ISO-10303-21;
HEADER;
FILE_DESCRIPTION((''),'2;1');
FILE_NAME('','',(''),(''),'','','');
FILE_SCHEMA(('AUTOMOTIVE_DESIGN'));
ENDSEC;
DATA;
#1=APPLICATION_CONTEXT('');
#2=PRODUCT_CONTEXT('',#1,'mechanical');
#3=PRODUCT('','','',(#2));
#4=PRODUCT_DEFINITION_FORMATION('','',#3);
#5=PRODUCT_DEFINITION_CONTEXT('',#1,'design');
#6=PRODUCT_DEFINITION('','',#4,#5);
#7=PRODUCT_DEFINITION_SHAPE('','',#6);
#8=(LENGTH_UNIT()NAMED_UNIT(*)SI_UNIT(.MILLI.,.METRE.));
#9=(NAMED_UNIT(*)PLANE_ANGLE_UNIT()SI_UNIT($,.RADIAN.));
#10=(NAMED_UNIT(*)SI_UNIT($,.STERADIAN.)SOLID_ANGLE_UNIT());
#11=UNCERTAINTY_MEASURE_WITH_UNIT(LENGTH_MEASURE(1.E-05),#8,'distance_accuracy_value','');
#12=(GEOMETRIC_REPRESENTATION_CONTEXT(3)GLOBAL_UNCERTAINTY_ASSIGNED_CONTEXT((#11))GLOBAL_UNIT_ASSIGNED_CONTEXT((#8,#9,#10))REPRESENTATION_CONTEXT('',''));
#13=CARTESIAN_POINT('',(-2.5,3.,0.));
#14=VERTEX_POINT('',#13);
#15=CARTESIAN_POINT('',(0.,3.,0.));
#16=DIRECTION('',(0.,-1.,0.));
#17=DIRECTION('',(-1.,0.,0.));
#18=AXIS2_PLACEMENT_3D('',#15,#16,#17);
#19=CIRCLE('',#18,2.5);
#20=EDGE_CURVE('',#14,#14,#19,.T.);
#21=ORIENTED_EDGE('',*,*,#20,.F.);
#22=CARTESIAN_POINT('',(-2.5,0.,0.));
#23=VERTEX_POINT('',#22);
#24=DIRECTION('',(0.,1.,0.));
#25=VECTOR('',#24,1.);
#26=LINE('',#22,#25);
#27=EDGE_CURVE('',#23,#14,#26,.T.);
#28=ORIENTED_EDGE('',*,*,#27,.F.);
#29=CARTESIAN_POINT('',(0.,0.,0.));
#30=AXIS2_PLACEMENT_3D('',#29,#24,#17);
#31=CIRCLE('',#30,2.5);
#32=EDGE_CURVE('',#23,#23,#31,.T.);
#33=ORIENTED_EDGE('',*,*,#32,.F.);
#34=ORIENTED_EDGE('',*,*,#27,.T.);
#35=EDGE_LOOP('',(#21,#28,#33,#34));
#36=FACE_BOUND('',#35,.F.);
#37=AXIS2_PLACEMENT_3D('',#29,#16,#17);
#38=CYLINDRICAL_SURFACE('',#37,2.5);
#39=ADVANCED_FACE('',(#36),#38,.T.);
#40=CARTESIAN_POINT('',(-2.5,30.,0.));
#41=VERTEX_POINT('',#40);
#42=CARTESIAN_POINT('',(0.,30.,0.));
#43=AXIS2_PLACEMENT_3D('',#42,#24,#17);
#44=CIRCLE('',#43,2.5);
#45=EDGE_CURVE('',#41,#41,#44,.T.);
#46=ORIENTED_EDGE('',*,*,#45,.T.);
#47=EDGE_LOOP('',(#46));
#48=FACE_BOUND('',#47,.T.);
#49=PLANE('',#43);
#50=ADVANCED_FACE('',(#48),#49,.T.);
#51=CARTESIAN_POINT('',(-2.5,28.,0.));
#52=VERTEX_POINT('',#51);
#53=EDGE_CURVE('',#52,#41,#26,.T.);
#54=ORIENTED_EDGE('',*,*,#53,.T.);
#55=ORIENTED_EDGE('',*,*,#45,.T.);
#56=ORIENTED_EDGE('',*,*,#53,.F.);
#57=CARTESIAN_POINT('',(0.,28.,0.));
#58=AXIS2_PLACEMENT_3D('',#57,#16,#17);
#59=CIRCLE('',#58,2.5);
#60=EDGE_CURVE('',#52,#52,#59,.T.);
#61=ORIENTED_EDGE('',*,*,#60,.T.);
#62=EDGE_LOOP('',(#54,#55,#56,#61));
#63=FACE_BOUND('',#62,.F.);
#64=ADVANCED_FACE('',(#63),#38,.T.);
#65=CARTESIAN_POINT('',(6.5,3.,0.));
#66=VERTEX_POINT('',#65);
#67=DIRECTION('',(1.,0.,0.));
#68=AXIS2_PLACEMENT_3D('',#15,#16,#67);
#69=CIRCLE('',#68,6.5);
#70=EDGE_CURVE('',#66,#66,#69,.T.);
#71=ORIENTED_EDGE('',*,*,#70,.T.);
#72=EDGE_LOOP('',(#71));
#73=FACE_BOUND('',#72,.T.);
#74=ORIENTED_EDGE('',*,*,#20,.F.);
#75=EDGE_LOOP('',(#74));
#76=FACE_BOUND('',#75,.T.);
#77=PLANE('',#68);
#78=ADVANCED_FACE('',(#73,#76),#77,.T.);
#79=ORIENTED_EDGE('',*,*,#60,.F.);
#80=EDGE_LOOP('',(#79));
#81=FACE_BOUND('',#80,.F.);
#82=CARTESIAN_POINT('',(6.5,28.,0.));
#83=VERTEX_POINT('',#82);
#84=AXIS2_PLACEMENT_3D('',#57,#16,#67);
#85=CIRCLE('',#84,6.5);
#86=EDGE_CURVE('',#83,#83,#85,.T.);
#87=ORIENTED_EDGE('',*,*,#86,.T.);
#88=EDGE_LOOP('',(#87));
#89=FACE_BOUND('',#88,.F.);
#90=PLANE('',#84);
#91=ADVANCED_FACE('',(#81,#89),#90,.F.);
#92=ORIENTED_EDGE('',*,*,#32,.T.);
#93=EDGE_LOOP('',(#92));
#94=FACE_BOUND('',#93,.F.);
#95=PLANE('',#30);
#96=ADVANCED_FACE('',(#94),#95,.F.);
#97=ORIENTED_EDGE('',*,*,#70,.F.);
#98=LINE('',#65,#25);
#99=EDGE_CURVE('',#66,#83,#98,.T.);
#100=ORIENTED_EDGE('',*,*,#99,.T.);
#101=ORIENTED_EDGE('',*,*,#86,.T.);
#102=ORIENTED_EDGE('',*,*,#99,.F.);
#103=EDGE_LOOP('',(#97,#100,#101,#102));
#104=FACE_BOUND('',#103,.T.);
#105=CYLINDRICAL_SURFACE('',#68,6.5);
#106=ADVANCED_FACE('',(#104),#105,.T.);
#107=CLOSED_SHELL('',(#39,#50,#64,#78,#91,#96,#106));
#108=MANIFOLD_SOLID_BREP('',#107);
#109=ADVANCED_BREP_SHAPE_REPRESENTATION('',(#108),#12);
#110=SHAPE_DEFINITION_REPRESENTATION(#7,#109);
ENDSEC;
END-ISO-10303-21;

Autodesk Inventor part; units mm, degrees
ref_plane "YZ Plane" through (0, 0, 0) normal (1, 0, 0) x (0, 1, 0)
ref_plane "XZ Plane" through (0, 0, 0) normal (0, 1, 0) x (-1, 0, 0)
ref_plane "XY Plane" through (0, 0, 0) normal (0, 0, 1) x (1, 0, 0)
sketch "Sketch1" plane through (0, 0, 0) normal (0, 1, 0) x (-1, 0, 0)
  circle A0 centre (0, 0) radius 2.5
  dimension "d0" = 5
extrude "Extrusion1" add sketch "Sketch1" along normal blind 30
ref_plane "Work Plane1" through (0, 3, 0) normal (0, -1, 0) x (1, 0, 0)
sketch "Sketch2" plane through (0, 3, 0) normal (0, -1, 0) x (1, 0, 0)
  circle A0 centre (0, 0) radius 6.5
  dimension "d4" = 13
extrude "Extrusion2" add sketch "Sketch2" against normal blind 25
properties part number "3D-roller"
